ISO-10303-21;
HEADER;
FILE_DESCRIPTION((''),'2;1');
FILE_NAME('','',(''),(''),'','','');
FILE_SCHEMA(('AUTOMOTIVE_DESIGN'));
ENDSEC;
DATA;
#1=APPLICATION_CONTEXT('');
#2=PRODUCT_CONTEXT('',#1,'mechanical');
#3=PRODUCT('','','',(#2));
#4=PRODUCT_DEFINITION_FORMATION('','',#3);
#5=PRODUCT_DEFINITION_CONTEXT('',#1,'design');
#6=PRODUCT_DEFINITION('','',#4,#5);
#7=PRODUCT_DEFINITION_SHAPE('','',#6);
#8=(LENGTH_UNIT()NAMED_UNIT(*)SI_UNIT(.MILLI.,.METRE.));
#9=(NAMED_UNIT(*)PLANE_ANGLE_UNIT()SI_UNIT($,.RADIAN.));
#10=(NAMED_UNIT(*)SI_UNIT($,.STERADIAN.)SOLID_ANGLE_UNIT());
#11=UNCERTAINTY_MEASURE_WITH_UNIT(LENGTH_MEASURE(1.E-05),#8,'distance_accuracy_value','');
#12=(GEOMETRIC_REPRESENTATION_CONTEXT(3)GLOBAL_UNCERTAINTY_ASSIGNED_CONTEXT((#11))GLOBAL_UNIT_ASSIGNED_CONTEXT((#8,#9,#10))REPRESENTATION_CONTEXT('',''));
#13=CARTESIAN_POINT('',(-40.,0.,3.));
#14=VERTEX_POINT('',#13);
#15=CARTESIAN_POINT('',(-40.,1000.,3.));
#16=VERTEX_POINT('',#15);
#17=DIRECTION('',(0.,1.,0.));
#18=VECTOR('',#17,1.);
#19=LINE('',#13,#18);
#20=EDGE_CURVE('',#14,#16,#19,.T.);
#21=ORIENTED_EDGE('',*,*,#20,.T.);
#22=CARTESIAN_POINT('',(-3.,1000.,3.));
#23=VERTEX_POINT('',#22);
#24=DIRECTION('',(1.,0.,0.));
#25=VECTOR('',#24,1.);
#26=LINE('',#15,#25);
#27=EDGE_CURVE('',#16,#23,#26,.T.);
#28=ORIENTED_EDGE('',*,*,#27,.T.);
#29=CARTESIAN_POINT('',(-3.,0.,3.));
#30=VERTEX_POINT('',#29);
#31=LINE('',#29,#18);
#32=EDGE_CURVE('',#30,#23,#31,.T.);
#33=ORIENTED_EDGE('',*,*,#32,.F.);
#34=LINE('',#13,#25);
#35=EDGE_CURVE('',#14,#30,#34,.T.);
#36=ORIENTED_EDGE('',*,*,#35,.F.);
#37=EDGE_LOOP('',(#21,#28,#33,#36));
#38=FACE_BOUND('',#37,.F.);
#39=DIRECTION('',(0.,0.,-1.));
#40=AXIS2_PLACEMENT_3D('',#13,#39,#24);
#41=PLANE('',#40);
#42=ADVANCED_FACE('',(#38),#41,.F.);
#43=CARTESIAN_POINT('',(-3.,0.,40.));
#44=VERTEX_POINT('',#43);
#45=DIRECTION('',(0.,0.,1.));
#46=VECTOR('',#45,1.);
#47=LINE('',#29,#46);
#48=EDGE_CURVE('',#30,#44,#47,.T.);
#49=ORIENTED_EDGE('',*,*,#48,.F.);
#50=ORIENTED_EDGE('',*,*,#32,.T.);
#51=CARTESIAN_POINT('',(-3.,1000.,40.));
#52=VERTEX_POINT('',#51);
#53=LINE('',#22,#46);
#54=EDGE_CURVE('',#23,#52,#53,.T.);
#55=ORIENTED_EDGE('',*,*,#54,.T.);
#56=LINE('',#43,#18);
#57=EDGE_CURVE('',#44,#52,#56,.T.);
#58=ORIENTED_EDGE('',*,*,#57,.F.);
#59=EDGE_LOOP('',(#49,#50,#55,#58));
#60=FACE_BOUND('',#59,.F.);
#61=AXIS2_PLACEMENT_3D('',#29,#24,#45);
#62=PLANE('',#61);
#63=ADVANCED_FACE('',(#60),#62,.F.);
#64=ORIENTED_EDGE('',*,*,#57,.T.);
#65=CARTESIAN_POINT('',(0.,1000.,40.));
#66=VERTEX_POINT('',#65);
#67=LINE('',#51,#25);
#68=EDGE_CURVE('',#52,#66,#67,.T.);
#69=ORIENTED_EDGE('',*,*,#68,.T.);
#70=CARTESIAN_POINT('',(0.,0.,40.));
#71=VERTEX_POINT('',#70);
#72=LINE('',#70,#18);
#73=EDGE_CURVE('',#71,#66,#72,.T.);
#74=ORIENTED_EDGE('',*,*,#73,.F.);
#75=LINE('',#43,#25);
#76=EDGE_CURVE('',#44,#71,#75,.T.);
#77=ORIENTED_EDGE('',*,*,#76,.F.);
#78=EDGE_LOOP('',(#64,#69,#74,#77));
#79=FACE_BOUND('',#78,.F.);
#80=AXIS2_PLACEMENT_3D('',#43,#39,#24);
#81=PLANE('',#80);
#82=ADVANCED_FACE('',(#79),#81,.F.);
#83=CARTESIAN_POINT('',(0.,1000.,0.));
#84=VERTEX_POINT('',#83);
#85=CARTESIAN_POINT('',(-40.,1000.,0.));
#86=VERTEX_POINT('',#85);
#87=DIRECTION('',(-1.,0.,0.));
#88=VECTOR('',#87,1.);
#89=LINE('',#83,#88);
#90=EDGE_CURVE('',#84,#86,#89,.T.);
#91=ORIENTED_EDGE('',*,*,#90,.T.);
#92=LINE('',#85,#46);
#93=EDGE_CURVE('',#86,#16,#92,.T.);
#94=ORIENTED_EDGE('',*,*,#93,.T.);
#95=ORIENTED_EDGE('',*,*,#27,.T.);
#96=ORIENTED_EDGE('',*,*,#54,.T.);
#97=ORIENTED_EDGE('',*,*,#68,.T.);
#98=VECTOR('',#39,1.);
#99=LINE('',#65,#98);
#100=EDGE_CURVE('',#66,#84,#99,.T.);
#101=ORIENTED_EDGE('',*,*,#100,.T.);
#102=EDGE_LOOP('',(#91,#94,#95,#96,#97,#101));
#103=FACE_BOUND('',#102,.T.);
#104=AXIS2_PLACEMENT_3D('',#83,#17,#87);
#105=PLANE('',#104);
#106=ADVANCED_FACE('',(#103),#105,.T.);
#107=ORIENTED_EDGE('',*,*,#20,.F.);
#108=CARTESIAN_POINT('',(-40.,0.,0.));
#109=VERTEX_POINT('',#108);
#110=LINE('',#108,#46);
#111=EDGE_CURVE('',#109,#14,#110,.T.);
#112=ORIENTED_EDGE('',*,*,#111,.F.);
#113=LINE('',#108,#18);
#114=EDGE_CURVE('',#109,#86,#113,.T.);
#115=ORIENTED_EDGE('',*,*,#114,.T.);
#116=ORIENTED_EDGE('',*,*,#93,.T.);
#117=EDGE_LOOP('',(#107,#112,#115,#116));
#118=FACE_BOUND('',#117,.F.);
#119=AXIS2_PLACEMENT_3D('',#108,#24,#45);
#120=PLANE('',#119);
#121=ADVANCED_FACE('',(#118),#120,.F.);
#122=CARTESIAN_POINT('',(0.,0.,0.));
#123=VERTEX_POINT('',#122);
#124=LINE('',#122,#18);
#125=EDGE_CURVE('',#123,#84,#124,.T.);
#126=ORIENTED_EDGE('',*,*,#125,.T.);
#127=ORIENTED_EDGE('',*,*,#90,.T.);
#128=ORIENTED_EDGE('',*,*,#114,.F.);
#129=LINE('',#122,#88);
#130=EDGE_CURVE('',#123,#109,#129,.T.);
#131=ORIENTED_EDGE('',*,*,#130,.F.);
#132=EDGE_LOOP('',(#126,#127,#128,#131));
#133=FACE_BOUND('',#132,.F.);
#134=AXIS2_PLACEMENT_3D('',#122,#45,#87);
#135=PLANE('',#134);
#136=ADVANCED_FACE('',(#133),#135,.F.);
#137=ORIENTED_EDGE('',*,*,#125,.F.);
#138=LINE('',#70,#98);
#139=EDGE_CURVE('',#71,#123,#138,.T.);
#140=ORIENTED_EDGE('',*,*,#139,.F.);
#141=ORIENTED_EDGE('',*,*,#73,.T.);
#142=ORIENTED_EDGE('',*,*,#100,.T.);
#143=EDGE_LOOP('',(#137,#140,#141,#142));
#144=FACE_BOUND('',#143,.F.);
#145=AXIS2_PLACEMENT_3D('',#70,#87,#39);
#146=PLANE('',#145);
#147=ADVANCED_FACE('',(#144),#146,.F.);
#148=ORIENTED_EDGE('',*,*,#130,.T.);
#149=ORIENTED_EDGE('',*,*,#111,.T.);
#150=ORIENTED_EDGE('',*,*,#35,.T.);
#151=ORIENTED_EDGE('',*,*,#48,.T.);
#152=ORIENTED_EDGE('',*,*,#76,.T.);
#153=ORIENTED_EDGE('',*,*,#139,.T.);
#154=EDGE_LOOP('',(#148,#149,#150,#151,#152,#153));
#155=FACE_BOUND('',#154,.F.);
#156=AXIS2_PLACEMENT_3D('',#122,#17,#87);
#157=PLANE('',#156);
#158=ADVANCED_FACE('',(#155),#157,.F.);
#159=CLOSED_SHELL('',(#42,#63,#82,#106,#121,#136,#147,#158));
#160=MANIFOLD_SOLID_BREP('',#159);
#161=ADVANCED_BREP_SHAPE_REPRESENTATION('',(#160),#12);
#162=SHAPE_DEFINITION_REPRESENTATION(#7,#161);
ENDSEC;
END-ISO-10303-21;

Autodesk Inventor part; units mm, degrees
ref_plane "YZ Plane" through (0, 0, 0) normal (1, 0, 0) x (0, 1, 0)
ref_plane "XZ Plane" through (0, 0, 0) normal (0, 1, 0) x (-1, 0, 0)
ref_plane "XY Plane" through (0, 0, 0) normal (0, 0, 1) x (1, 0, 0)
sketch "Эскиз1" plane through (0, 0, 0) normal (0, 1, 0) x (-1, 0, 0)
  line L0 (0, 40) -> (0, 0)
  line L1 (0, 0) -> (40, 0)
  line L2 (40, 0) -> (40, 3)
  line L3 (40, 3) -> (3, 3)
  line L4 (3, 3) -> (3, 40)
  line L5 (3, 40) -> (0, 40)
  dimension "d0" = 3
  dimension "d1" = 3
  dimension "d2" = 40
  dimension "d3" = 40
extrude "Выдавливание1" add sketch "Эскиз1" along normal blind 1000
properties part number "Stanik1000"
